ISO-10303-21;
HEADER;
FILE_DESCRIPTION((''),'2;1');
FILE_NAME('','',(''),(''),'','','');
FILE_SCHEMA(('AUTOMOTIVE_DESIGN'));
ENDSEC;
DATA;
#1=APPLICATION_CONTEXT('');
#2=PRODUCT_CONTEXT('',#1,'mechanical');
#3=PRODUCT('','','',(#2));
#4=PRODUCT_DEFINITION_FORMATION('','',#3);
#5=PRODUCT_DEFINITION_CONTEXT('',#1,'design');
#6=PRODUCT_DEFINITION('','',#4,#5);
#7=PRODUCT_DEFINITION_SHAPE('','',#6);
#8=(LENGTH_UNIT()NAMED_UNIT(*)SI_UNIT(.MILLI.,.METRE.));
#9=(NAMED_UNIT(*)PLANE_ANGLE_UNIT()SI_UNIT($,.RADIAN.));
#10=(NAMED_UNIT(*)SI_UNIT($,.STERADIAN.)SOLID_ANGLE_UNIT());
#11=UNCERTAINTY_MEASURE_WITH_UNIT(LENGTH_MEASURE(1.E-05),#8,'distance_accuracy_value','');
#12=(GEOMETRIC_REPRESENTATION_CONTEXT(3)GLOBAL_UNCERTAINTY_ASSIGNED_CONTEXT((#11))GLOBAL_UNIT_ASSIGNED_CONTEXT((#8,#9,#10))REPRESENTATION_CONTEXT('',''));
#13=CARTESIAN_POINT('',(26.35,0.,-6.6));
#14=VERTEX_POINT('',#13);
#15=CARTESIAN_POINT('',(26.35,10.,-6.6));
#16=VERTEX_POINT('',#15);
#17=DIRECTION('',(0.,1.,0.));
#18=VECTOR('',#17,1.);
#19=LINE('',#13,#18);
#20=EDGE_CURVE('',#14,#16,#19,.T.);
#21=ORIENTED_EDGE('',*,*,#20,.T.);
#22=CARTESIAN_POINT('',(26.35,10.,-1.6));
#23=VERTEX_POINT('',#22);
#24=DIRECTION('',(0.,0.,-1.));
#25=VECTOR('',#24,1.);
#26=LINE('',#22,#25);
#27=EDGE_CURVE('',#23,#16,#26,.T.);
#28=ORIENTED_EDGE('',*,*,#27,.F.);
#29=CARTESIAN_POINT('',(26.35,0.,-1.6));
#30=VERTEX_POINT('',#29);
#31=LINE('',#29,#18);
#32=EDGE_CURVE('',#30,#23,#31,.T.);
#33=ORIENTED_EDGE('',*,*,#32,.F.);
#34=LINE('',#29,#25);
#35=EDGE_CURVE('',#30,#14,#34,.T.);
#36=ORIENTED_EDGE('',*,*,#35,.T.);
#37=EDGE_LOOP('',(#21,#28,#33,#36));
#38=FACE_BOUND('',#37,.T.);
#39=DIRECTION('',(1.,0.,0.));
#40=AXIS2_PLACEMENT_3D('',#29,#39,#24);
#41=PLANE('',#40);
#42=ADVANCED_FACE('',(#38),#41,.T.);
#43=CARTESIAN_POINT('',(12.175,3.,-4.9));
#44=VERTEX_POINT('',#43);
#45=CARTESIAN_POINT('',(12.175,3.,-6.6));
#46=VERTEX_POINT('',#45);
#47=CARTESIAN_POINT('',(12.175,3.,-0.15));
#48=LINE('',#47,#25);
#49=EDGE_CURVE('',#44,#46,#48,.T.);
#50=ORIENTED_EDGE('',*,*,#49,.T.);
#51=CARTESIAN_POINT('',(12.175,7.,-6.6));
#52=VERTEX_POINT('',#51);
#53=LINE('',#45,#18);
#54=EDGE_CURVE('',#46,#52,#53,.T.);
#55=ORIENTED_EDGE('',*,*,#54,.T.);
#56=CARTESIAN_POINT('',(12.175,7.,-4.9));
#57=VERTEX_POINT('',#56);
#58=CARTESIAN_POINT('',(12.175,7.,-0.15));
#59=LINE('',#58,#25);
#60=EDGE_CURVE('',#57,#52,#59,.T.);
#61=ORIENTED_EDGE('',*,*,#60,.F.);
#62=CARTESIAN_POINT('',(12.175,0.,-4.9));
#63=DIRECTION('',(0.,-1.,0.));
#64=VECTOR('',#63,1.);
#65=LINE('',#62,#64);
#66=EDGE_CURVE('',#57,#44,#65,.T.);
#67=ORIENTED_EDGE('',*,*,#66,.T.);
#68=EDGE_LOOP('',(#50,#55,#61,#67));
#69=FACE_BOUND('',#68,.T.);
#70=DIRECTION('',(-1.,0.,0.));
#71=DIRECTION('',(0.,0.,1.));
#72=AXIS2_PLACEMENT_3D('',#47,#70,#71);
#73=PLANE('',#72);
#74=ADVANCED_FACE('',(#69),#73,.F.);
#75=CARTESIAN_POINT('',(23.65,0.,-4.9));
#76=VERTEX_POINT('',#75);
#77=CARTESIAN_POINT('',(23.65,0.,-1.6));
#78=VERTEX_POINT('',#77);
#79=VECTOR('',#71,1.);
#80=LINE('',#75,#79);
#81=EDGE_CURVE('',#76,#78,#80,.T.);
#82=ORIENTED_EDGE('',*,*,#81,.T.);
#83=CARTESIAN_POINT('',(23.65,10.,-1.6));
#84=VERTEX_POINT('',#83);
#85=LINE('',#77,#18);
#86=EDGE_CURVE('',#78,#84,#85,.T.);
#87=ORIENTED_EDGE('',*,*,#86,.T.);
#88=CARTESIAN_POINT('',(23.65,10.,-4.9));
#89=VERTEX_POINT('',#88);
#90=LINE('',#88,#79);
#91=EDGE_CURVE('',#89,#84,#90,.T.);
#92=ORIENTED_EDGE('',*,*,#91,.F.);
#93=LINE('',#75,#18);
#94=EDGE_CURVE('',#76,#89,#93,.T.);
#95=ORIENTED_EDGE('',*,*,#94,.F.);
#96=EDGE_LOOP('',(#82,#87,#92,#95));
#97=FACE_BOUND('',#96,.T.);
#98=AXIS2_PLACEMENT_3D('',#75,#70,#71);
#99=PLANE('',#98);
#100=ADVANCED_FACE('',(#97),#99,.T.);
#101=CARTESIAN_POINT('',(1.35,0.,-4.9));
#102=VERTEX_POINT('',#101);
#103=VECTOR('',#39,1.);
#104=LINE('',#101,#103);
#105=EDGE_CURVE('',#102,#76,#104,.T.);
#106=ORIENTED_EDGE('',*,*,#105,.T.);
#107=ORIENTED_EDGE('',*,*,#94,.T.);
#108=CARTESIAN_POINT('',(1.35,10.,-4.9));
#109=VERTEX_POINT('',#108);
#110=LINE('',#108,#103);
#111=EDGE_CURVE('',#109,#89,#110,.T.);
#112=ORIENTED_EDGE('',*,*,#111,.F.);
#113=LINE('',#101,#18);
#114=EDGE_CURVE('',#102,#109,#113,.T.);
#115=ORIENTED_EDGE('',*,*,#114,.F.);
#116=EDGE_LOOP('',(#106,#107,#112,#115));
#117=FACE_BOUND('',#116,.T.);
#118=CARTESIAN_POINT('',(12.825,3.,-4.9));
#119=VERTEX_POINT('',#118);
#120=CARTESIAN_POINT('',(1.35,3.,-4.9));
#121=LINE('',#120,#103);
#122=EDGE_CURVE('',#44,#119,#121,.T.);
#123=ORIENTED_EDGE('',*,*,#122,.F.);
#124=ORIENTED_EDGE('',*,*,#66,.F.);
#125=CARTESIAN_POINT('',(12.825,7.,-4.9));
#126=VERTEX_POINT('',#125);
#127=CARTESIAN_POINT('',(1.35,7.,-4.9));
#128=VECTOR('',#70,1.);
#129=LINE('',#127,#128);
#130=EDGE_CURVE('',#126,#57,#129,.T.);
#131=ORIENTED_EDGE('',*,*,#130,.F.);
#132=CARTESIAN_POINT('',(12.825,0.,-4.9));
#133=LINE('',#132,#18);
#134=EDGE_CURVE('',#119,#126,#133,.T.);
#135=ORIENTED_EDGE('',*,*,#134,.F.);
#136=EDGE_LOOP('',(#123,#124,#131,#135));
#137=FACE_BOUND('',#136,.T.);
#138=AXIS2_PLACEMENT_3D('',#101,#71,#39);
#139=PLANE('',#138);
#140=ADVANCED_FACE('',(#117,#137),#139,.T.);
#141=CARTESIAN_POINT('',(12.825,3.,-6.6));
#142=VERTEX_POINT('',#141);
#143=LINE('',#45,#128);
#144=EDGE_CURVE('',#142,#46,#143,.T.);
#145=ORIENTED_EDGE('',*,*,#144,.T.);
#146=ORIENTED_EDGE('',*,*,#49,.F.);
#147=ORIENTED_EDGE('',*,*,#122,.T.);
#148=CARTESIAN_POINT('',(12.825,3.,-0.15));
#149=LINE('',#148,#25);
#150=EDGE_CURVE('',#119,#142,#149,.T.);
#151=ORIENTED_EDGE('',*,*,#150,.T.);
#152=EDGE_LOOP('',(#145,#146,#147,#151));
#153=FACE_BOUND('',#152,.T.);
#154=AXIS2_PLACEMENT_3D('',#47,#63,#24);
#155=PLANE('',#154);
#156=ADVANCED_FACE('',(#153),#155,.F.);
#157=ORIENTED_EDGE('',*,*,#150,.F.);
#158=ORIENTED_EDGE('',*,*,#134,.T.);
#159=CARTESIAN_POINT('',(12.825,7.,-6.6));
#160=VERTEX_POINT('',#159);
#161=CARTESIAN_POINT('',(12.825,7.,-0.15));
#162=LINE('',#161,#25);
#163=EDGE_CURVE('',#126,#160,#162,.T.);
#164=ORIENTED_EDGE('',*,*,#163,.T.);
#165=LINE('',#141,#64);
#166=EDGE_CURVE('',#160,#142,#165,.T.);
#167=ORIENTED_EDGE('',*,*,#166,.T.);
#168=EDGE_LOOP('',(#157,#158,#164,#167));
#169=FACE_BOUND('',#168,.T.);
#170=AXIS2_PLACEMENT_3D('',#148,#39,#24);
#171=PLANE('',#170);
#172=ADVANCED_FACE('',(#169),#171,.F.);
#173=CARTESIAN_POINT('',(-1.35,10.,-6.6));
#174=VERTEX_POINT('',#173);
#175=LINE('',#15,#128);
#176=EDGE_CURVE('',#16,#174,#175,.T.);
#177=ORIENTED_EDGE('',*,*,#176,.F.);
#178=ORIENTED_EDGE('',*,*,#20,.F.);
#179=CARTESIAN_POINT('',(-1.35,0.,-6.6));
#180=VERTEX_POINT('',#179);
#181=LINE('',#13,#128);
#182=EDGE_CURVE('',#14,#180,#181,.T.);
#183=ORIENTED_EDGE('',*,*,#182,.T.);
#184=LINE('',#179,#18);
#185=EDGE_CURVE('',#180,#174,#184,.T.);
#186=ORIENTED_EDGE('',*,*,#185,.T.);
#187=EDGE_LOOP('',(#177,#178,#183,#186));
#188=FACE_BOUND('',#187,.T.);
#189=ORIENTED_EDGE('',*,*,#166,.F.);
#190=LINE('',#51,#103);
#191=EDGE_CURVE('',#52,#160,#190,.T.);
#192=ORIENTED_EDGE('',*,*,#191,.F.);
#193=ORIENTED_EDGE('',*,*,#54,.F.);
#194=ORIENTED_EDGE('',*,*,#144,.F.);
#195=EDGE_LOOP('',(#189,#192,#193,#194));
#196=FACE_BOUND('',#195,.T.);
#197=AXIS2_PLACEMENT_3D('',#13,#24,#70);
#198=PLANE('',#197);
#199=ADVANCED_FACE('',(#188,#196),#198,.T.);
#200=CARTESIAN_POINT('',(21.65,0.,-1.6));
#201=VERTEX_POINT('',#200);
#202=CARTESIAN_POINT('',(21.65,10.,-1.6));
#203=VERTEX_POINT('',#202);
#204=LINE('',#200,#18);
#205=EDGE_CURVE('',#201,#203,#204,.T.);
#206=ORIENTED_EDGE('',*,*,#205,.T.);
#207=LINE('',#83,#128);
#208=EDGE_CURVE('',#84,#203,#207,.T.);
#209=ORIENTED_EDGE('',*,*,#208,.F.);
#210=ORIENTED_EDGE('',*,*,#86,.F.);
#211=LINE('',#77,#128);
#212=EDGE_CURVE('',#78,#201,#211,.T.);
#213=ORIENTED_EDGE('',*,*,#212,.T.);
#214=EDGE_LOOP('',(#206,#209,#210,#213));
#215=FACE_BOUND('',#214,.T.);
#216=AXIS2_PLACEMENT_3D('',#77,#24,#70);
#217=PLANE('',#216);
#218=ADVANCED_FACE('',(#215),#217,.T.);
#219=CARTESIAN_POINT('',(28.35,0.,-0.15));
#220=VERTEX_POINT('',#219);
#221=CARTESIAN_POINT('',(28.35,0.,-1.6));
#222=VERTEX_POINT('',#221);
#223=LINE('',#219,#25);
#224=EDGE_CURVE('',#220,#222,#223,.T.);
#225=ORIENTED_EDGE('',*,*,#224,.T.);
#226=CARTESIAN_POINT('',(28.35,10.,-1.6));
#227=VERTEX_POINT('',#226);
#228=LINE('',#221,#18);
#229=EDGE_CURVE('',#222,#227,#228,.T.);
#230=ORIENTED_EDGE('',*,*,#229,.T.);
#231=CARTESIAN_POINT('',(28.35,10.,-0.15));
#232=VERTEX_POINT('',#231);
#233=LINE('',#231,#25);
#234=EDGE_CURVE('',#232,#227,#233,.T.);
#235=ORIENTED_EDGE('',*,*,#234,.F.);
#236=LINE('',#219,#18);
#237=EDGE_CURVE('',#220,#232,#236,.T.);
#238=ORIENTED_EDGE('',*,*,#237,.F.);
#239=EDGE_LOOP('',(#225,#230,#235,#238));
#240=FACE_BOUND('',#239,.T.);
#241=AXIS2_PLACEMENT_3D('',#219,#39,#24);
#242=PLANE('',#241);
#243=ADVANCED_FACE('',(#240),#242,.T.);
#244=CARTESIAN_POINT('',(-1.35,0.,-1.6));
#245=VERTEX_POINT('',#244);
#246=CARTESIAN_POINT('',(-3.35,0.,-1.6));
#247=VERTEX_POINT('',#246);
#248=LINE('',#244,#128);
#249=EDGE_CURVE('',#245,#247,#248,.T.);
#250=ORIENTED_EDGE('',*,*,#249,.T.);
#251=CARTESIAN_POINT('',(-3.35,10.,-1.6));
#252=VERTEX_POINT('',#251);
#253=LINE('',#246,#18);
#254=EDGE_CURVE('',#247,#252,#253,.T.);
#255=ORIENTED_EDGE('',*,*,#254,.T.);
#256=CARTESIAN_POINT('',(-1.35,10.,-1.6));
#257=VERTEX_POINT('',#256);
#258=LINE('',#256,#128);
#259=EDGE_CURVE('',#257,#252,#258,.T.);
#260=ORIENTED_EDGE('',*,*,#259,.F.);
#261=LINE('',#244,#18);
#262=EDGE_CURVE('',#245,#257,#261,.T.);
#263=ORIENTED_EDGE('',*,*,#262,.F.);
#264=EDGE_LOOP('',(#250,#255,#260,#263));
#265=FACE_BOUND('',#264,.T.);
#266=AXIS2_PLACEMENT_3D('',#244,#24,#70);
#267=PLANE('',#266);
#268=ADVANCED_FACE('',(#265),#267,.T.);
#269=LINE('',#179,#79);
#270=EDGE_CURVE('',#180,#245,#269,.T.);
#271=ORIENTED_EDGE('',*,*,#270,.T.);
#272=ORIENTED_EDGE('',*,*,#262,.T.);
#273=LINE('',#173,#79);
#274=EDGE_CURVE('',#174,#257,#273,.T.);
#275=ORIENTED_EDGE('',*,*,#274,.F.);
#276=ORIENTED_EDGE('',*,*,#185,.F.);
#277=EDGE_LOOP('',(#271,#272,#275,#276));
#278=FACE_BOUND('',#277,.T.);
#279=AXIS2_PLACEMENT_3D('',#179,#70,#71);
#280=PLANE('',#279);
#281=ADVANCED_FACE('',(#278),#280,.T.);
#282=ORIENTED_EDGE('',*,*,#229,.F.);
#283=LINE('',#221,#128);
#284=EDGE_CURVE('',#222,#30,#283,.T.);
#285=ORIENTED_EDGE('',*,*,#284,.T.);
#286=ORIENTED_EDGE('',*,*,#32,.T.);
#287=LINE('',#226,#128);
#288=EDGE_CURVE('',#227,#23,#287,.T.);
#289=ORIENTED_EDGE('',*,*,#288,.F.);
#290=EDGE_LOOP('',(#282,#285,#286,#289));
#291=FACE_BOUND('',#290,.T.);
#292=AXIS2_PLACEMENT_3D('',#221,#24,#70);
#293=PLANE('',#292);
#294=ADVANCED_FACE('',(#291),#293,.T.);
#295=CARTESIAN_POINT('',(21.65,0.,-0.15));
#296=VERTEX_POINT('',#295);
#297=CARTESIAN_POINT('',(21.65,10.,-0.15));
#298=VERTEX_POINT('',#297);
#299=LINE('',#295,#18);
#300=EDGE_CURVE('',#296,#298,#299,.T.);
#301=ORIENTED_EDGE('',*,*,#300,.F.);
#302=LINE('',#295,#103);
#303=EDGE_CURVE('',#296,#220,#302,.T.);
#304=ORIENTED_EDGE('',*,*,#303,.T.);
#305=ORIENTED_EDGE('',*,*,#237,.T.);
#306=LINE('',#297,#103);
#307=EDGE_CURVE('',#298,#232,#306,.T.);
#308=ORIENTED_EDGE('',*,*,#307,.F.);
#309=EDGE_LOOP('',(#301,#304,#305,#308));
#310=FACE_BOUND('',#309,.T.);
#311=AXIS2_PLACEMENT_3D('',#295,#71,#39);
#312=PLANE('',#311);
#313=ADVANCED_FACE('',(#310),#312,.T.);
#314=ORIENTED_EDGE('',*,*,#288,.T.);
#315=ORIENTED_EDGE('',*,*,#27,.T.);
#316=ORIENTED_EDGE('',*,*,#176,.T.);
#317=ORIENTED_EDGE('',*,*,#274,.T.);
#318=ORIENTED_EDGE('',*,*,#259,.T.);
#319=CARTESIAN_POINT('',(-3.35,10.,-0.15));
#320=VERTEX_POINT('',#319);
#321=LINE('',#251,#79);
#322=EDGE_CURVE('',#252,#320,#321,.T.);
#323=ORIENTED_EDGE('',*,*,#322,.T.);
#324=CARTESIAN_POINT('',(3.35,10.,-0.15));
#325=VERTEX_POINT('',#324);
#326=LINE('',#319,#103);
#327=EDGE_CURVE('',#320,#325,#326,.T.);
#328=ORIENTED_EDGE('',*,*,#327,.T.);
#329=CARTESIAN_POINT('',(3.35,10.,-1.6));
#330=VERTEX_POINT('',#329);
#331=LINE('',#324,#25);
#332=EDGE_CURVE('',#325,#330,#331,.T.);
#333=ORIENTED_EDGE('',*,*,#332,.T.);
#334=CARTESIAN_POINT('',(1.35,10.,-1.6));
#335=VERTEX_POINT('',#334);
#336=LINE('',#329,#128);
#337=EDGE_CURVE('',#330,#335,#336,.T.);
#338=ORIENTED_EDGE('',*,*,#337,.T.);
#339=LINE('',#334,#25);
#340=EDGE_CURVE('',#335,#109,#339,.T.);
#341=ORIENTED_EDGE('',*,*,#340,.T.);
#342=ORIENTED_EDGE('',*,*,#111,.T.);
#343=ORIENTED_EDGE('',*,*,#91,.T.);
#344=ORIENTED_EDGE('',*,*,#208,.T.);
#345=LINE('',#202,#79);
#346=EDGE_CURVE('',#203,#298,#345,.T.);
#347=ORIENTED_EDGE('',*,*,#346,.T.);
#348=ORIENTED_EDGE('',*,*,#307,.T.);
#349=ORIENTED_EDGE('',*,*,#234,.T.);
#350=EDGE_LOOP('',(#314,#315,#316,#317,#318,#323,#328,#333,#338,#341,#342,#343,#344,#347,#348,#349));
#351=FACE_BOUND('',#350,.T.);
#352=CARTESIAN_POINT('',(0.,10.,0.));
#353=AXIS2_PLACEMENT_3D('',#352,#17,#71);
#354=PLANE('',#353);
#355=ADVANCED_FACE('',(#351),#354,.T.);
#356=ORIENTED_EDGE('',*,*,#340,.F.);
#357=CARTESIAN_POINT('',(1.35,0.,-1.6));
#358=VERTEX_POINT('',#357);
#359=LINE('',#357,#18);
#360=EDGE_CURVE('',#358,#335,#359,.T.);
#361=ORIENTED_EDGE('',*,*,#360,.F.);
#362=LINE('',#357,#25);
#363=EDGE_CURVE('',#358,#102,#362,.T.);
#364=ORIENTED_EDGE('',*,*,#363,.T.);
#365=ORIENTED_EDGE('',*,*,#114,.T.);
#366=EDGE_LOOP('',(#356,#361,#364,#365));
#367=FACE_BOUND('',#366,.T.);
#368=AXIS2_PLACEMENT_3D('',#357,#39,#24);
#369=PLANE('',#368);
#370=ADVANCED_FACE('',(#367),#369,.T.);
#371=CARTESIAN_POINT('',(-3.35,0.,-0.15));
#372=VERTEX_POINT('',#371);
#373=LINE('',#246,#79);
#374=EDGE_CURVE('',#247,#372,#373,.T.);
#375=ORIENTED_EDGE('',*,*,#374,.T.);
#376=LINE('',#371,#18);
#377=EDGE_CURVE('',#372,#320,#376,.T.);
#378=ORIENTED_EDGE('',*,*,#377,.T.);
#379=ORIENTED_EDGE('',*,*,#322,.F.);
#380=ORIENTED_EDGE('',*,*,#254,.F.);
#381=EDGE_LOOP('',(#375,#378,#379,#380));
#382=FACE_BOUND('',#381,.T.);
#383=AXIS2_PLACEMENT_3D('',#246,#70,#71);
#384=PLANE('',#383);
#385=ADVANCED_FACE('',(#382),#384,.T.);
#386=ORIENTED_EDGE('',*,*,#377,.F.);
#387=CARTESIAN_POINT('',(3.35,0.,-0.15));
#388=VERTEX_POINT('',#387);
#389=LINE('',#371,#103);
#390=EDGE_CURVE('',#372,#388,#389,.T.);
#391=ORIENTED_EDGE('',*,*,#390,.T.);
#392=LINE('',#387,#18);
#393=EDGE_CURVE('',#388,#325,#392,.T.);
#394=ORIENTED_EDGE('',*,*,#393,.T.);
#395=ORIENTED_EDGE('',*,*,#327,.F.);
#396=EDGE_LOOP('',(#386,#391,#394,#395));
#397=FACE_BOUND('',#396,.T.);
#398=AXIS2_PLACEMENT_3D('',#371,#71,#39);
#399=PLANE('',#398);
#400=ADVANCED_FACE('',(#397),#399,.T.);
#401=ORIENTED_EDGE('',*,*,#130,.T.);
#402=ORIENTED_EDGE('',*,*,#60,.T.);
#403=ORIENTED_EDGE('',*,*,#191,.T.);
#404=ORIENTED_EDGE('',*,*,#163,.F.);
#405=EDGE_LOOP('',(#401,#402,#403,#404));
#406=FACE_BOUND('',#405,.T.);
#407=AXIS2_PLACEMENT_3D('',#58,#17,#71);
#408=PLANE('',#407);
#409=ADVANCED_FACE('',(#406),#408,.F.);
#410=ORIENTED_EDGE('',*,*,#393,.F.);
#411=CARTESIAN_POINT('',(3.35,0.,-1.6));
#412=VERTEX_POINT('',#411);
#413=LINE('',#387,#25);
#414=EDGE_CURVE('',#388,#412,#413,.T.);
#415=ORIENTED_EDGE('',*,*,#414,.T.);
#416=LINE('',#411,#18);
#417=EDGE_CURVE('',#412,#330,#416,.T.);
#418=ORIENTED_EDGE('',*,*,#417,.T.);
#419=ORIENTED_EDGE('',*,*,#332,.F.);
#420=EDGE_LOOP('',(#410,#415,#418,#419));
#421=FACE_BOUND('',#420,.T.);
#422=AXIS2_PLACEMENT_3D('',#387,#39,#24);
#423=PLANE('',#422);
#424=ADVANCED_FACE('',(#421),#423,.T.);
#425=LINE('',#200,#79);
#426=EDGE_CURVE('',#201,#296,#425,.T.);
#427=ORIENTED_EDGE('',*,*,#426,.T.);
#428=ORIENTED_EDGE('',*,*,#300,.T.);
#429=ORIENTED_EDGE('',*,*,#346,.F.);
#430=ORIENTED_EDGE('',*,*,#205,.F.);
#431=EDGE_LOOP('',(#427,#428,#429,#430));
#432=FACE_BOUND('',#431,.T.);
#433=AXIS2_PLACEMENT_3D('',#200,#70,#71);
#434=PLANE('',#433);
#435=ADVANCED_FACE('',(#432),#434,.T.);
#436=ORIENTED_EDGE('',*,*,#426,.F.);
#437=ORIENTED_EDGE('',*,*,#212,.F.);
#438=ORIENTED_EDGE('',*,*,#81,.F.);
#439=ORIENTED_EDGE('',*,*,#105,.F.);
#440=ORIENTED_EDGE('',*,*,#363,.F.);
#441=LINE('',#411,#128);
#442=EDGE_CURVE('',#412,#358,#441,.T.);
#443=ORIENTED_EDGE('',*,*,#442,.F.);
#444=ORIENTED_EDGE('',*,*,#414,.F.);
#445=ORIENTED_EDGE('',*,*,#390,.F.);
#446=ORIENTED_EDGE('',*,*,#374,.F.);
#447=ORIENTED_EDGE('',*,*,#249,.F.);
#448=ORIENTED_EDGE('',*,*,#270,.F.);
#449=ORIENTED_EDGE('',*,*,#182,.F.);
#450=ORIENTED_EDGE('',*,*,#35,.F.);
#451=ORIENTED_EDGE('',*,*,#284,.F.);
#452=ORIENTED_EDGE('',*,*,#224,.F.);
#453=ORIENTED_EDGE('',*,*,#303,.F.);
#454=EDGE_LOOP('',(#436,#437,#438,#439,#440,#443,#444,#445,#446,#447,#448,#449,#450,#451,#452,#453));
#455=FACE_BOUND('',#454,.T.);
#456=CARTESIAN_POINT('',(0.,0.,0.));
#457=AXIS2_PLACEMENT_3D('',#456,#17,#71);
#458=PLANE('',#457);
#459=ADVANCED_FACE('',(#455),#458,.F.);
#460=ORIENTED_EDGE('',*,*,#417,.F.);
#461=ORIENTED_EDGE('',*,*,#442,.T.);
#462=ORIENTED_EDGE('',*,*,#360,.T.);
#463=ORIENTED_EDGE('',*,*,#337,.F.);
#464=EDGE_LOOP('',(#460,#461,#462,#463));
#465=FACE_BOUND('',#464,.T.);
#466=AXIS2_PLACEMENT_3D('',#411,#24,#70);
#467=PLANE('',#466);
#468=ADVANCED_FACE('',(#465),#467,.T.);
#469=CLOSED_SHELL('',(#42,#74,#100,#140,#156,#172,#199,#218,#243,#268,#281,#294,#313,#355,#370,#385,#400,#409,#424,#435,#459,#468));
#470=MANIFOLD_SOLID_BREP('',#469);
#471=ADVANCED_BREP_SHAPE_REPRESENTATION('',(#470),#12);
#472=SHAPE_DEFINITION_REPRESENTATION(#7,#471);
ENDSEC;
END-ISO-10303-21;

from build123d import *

# Parameters (mm, degrees)
BOSS_EXTRUDE1_DEPTH = 10
CUT_EXTRUDE2_DEPTH  = 11
SKETCH3_W           = 0.65
SKETCH3_H           = 4
CUT_EXTRUDE3_DEPTH  = 7.45


with BuildPart() as part:
    # Sketch1 → Boss-Extrude1 (new body)
    with BuildSketch(Plane(origin=(0, 0, 0), x_dir=(1, 0, 0), z_dir=(0, 1, 0))):
        Polygon((1.5, 1.75), (3.5, 1.75), (3.5, 0), (-3.5, 0), (-3.5, 1.75), (-1.5, 1.75), (-1.5, 6.75), (1.5, 6.75), (23.5, 6.75), (26.5, 6.75), (26.5, 1.75), (28.5, 1.75), (28.5, 0), (21.5, 0), (21.5, 1.75), (23.5, 1.75), (23.5, 4.75), (1.5, 4.75), align=None)
    extrude(amount=BOSS_EXTRUDE1_DEPTH)

    # Sketch2 → Cut-Extrude2 (cut, through all)
    with BuildSketch(Plane(origin=(0, 10, 0), x_dir=(1, 0, 0), z_dir=(0, 1, 0))):
        Polygon((-3.65, 1.9), (-3.65, -0.15), (3.65, -0.15), (3.65, 1.9), (1.65, 1.9), (1.65, 4.6), (23.35, 4.6), (23.35, 1.9), (21.35, 1.9), (21.35, -0.15), (28.65, -0.15), (28.65, 1.9), (26.65, 1.9), (26.65, 6.9), (-1.65, 6.9), (-1.65, 1.9), align=None)
        Polygon((-3.35, 1.6), (-3.35, 0.15), (3.35, 0.15), (3.35, 1.6), (1.35, 1.6), (1.35, 4.9), (23.65, 4.9), (23.65, 1.6), (21.65, 1.6), (21.65, 0.15), (28.35, 0.15), (28.35, 1.6), (26.35, 1.6), (26.35, 6.6), (-1.35, 6.6), (-1.35, 1.6), align=None, mode=Mode.SUBTRACT)
    extrude(amount=-CUT_EXTRUDE2_DEPTH, mode=Mode.SUBTRACT)

    # Sketch3 → Cut-Extrude3 (cut, through all)
    with BuildSketch(Plane(origin=(0, 0, -6.6), x_dir=(-1, 0, 0), z_dir=(0, 0, -1))):
        with Locations((-12.5, 5)):
            Rectangle(SKETCH3_W, SKETCH3_H)
    extrude(amount=-CUT_EXTRUDE3_DEPTH, mode=Mode.SUBTRACT)


solid = part.part
